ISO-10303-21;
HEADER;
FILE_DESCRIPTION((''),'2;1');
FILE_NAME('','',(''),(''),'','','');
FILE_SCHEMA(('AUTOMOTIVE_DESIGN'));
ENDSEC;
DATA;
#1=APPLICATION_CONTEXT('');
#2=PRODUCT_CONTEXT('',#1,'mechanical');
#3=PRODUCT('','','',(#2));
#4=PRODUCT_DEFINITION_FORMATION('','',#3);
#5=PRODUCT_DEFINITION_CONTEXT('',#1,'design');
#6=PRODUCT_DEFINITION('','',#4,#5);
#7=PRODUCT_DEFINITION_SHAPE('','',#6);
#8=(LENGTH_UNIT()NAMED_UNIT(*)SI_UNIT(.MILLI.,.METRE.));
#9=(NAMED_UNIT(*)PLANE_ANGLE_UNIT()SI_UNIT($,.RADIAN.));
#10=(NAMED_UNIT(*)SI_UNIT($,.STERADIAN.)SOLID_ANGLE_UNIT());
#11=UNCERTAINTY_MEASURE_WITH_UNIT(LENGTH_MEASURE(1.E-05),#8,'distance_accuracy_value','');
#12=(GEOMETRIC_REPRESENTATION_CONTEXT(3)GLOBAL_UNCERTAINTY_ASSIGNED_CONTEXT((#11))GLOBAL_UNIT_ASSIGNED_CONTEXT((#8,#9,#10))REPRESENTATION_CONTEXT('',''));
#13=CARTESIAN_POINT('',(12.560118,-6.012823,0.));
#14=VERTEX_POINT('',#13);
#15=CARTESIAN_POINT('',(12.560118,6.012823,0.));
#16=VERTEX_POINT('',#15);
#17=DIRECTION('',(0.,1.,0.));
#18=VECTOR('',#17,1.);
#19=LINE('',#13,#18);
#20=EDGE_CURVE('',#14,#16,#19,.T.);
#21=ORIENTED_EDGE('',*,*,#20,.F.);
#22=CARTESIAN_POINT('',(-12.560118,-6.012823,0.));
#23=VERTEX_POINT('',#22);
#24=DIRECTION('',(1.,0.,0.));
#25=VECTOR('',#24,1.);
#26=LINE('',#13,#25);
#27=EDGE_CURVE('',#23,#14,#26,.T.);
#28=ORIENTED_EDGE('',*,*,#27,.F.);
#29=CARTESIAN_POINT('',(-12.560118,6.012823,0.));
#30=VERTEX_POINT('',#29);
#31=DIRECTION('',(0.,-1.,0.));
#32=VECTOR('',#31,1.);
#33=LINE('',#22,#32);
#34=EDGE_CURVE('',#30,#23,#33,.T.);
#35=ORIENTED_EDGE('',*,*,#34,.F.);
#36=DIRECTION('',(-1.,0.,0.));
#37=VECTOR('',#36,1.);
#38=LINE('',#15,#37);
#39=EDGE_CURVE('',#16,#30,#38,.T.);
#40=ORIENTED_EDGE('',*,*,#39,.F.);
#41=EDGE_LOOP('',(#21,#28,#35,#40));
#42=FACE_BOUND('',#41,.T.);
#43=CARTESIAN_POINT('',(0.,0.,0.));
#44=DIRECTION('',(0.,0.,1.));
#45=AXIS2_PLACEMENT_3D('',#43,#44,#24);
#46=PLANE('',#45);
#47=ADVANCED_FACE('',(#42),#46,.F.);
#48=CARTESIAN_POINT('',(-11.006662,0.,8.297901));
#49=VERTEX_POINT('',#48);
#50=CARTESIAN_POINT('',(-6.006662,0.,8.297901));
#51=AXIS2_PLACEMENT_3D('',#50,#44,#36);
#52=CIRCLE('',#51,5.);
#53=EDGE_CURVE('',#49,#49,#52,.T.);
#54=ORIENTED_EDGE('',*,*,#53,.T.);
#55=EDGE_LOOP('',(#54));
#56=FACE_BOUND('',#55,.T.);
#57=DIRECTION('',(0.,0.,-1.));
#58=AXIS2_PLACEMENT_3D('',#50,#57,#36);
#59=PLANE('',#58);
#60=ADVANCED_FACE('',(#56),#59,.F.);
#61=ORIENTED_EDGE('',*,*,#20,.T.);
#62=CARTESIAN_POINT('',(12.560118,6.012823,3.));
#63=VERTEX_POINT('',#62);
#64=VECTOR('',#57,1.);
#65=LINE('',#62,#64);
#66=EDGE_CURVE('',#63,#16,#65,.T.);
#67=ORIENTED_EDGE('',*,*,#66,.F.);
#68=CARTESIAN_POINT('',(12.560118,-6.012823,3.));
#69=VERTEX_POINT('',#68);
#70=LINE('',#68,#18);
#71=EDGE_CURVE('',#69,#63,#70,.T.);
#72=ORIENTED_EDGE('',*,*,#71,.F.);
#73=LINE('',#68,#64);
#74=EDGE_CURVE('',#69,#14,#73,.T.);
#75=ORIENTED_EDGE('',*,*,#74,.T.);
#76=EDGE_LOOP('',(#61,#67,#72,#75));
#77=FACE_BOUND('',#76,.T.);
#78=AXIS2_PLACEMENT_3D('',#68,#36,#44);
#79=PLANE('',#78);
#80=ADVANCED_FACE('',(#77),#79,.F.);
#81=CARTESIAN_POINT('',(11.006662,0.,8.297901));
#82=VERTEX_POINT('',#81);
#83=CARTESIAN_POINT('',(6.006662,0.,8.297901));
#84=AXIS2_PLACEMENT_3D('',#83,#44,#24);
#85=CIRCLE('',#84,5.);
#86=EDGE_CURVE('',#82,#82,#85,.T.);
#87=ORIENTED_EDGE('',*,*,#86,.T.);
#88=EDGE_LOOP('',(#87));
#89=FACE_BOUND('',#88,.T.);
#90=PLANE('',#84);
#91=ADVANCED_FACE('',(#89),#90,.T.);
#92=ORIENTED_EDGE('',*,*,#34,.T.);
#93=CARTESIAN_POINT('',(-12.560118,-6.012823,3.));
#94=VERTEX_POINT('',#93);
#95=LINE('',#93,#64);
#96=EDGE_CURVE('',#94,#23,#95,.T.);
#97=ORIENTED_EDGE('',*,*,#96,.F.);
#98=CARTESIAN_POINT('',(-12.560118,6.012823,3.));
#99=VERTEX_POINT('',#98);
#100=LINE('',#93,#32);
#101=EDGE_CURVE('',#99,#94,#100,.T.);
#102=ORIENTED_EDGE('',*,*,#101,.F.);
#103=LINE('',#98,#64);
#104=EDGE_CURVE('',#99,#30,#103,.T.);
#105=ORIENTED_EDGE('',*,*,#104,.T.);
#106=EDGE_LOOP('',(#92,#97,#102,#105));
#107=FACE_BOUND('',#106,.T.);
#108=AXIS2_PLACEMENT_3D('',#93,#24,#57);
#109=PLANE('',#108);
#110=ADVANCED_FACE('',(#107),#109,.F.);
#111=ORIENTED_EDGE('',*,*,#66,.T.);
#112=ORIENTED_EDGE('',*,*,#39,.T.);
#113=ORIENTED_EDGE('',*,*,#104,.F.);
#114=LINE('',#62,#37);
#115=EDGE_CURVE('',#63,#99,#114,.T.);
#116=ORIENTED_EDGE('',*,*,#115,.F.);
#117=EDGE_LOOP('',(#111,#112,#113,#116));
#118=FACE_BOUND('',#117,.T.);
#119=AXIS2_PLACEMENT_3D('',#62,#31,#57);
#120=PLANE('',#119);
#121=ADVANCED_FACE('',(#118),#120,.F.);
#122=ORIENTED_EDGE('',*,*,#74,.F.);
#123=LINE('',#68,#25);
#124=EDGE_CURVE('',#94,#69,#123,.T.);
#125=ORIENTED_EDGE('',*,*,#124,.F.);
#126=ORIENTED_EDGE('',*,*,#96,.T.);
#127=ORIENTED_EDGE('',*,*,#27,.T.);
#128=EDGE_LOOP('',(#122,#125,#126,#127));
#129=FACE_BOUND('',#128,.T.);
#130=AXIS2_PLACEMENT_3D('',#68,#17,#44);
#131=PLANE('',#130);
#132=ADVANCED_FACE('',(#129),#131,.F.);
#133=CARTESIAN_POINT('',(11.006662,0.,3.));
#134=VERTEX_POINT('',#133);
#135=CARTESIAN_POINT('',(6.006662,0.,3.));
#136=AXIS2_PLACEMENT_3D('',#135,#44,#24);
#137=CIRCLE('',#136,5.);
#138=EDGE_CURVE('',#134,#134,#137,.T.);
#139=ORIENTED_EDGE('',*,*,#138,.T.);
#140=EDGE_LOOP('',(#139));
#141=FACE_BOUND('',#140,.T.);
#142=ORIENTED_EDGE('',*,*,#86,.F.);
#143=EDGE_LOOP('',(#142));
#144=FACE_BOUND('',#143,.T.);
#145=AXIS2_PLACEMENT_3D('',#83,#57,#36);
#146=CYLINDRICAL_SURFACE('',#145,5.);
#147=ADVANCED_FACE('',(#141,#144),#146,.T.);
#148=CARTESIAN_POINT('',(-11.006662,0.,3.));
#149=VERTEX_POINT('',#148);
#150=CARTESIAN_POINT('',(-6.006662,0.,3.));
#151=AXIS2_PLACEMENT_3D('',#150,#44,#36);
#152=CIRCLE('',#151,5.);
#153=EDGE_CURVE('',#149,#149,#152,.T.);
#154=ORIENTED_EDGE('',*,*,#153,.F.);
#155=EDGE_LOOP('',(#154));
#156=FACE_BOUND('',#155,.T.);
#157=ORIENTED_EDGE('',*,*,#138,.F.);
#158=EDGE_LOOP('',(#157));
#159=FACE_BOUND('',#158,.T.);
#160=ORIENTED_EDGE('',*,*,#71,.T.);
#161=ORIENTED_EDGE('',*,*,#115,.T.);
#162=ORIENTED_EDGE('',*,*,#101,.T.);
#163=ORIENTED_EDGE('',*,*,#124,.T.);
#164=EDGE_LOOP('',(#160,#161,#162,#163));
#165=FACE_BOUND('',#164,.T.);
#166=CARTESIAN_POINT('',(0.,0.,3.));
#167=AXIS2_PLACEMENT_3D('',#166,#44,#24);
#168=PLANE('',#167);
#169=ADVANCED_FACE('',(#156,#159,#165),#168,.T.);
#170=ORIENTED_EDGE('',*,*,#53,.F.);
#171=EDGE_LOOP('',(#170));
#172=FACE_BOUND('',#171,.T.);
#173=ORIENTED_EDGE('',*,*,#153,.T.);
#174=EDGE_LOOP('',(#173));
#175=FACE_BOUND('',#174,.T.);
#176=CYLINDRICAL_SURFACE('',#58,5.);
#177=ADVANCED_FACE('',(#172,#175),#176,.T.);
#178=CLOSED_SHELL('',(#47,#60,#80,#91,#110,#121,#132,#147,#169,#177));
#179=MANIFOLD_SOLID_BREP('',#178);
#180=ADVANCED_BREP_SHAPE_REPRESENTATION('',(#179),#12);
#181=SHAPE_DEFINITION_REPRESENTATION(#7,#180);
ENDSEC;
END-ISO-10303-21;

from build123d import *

# Parameters (mm, degrees)
SKETCH_3_W      = 25.120236726
SKETCH_3_H      = 12.02564524
EXTRUDE_1_DEPTH = 3
SKETCH_4_R      = 5
EXTRUDE_2_DEPTH = 5.297900912


with BuildPart() as part:
    # 草图3 → 凸台-拉伸1 (new body)
    with BuildSketch(Plane.XY):
        Rectangle(SKETCH_3_W, SKETCH_3_H)
    extrude(amount=EXTRUDE_1_DEPTH)

    # 草图4 → 凸台-拉伸2 (add)
    with BuildSketch(Plane.XY.offset(3)):
        with Locations((6.006662197, 0)):
            Circle(SKETCH_4_R)
        with Locations(Location((-6.006662197, 0, 0), (0, 0, 180))):
            Circle(SKETCH_4_R)
    extrude(amount=EXTRUDE_2_DEPTH)


solid = part.part
